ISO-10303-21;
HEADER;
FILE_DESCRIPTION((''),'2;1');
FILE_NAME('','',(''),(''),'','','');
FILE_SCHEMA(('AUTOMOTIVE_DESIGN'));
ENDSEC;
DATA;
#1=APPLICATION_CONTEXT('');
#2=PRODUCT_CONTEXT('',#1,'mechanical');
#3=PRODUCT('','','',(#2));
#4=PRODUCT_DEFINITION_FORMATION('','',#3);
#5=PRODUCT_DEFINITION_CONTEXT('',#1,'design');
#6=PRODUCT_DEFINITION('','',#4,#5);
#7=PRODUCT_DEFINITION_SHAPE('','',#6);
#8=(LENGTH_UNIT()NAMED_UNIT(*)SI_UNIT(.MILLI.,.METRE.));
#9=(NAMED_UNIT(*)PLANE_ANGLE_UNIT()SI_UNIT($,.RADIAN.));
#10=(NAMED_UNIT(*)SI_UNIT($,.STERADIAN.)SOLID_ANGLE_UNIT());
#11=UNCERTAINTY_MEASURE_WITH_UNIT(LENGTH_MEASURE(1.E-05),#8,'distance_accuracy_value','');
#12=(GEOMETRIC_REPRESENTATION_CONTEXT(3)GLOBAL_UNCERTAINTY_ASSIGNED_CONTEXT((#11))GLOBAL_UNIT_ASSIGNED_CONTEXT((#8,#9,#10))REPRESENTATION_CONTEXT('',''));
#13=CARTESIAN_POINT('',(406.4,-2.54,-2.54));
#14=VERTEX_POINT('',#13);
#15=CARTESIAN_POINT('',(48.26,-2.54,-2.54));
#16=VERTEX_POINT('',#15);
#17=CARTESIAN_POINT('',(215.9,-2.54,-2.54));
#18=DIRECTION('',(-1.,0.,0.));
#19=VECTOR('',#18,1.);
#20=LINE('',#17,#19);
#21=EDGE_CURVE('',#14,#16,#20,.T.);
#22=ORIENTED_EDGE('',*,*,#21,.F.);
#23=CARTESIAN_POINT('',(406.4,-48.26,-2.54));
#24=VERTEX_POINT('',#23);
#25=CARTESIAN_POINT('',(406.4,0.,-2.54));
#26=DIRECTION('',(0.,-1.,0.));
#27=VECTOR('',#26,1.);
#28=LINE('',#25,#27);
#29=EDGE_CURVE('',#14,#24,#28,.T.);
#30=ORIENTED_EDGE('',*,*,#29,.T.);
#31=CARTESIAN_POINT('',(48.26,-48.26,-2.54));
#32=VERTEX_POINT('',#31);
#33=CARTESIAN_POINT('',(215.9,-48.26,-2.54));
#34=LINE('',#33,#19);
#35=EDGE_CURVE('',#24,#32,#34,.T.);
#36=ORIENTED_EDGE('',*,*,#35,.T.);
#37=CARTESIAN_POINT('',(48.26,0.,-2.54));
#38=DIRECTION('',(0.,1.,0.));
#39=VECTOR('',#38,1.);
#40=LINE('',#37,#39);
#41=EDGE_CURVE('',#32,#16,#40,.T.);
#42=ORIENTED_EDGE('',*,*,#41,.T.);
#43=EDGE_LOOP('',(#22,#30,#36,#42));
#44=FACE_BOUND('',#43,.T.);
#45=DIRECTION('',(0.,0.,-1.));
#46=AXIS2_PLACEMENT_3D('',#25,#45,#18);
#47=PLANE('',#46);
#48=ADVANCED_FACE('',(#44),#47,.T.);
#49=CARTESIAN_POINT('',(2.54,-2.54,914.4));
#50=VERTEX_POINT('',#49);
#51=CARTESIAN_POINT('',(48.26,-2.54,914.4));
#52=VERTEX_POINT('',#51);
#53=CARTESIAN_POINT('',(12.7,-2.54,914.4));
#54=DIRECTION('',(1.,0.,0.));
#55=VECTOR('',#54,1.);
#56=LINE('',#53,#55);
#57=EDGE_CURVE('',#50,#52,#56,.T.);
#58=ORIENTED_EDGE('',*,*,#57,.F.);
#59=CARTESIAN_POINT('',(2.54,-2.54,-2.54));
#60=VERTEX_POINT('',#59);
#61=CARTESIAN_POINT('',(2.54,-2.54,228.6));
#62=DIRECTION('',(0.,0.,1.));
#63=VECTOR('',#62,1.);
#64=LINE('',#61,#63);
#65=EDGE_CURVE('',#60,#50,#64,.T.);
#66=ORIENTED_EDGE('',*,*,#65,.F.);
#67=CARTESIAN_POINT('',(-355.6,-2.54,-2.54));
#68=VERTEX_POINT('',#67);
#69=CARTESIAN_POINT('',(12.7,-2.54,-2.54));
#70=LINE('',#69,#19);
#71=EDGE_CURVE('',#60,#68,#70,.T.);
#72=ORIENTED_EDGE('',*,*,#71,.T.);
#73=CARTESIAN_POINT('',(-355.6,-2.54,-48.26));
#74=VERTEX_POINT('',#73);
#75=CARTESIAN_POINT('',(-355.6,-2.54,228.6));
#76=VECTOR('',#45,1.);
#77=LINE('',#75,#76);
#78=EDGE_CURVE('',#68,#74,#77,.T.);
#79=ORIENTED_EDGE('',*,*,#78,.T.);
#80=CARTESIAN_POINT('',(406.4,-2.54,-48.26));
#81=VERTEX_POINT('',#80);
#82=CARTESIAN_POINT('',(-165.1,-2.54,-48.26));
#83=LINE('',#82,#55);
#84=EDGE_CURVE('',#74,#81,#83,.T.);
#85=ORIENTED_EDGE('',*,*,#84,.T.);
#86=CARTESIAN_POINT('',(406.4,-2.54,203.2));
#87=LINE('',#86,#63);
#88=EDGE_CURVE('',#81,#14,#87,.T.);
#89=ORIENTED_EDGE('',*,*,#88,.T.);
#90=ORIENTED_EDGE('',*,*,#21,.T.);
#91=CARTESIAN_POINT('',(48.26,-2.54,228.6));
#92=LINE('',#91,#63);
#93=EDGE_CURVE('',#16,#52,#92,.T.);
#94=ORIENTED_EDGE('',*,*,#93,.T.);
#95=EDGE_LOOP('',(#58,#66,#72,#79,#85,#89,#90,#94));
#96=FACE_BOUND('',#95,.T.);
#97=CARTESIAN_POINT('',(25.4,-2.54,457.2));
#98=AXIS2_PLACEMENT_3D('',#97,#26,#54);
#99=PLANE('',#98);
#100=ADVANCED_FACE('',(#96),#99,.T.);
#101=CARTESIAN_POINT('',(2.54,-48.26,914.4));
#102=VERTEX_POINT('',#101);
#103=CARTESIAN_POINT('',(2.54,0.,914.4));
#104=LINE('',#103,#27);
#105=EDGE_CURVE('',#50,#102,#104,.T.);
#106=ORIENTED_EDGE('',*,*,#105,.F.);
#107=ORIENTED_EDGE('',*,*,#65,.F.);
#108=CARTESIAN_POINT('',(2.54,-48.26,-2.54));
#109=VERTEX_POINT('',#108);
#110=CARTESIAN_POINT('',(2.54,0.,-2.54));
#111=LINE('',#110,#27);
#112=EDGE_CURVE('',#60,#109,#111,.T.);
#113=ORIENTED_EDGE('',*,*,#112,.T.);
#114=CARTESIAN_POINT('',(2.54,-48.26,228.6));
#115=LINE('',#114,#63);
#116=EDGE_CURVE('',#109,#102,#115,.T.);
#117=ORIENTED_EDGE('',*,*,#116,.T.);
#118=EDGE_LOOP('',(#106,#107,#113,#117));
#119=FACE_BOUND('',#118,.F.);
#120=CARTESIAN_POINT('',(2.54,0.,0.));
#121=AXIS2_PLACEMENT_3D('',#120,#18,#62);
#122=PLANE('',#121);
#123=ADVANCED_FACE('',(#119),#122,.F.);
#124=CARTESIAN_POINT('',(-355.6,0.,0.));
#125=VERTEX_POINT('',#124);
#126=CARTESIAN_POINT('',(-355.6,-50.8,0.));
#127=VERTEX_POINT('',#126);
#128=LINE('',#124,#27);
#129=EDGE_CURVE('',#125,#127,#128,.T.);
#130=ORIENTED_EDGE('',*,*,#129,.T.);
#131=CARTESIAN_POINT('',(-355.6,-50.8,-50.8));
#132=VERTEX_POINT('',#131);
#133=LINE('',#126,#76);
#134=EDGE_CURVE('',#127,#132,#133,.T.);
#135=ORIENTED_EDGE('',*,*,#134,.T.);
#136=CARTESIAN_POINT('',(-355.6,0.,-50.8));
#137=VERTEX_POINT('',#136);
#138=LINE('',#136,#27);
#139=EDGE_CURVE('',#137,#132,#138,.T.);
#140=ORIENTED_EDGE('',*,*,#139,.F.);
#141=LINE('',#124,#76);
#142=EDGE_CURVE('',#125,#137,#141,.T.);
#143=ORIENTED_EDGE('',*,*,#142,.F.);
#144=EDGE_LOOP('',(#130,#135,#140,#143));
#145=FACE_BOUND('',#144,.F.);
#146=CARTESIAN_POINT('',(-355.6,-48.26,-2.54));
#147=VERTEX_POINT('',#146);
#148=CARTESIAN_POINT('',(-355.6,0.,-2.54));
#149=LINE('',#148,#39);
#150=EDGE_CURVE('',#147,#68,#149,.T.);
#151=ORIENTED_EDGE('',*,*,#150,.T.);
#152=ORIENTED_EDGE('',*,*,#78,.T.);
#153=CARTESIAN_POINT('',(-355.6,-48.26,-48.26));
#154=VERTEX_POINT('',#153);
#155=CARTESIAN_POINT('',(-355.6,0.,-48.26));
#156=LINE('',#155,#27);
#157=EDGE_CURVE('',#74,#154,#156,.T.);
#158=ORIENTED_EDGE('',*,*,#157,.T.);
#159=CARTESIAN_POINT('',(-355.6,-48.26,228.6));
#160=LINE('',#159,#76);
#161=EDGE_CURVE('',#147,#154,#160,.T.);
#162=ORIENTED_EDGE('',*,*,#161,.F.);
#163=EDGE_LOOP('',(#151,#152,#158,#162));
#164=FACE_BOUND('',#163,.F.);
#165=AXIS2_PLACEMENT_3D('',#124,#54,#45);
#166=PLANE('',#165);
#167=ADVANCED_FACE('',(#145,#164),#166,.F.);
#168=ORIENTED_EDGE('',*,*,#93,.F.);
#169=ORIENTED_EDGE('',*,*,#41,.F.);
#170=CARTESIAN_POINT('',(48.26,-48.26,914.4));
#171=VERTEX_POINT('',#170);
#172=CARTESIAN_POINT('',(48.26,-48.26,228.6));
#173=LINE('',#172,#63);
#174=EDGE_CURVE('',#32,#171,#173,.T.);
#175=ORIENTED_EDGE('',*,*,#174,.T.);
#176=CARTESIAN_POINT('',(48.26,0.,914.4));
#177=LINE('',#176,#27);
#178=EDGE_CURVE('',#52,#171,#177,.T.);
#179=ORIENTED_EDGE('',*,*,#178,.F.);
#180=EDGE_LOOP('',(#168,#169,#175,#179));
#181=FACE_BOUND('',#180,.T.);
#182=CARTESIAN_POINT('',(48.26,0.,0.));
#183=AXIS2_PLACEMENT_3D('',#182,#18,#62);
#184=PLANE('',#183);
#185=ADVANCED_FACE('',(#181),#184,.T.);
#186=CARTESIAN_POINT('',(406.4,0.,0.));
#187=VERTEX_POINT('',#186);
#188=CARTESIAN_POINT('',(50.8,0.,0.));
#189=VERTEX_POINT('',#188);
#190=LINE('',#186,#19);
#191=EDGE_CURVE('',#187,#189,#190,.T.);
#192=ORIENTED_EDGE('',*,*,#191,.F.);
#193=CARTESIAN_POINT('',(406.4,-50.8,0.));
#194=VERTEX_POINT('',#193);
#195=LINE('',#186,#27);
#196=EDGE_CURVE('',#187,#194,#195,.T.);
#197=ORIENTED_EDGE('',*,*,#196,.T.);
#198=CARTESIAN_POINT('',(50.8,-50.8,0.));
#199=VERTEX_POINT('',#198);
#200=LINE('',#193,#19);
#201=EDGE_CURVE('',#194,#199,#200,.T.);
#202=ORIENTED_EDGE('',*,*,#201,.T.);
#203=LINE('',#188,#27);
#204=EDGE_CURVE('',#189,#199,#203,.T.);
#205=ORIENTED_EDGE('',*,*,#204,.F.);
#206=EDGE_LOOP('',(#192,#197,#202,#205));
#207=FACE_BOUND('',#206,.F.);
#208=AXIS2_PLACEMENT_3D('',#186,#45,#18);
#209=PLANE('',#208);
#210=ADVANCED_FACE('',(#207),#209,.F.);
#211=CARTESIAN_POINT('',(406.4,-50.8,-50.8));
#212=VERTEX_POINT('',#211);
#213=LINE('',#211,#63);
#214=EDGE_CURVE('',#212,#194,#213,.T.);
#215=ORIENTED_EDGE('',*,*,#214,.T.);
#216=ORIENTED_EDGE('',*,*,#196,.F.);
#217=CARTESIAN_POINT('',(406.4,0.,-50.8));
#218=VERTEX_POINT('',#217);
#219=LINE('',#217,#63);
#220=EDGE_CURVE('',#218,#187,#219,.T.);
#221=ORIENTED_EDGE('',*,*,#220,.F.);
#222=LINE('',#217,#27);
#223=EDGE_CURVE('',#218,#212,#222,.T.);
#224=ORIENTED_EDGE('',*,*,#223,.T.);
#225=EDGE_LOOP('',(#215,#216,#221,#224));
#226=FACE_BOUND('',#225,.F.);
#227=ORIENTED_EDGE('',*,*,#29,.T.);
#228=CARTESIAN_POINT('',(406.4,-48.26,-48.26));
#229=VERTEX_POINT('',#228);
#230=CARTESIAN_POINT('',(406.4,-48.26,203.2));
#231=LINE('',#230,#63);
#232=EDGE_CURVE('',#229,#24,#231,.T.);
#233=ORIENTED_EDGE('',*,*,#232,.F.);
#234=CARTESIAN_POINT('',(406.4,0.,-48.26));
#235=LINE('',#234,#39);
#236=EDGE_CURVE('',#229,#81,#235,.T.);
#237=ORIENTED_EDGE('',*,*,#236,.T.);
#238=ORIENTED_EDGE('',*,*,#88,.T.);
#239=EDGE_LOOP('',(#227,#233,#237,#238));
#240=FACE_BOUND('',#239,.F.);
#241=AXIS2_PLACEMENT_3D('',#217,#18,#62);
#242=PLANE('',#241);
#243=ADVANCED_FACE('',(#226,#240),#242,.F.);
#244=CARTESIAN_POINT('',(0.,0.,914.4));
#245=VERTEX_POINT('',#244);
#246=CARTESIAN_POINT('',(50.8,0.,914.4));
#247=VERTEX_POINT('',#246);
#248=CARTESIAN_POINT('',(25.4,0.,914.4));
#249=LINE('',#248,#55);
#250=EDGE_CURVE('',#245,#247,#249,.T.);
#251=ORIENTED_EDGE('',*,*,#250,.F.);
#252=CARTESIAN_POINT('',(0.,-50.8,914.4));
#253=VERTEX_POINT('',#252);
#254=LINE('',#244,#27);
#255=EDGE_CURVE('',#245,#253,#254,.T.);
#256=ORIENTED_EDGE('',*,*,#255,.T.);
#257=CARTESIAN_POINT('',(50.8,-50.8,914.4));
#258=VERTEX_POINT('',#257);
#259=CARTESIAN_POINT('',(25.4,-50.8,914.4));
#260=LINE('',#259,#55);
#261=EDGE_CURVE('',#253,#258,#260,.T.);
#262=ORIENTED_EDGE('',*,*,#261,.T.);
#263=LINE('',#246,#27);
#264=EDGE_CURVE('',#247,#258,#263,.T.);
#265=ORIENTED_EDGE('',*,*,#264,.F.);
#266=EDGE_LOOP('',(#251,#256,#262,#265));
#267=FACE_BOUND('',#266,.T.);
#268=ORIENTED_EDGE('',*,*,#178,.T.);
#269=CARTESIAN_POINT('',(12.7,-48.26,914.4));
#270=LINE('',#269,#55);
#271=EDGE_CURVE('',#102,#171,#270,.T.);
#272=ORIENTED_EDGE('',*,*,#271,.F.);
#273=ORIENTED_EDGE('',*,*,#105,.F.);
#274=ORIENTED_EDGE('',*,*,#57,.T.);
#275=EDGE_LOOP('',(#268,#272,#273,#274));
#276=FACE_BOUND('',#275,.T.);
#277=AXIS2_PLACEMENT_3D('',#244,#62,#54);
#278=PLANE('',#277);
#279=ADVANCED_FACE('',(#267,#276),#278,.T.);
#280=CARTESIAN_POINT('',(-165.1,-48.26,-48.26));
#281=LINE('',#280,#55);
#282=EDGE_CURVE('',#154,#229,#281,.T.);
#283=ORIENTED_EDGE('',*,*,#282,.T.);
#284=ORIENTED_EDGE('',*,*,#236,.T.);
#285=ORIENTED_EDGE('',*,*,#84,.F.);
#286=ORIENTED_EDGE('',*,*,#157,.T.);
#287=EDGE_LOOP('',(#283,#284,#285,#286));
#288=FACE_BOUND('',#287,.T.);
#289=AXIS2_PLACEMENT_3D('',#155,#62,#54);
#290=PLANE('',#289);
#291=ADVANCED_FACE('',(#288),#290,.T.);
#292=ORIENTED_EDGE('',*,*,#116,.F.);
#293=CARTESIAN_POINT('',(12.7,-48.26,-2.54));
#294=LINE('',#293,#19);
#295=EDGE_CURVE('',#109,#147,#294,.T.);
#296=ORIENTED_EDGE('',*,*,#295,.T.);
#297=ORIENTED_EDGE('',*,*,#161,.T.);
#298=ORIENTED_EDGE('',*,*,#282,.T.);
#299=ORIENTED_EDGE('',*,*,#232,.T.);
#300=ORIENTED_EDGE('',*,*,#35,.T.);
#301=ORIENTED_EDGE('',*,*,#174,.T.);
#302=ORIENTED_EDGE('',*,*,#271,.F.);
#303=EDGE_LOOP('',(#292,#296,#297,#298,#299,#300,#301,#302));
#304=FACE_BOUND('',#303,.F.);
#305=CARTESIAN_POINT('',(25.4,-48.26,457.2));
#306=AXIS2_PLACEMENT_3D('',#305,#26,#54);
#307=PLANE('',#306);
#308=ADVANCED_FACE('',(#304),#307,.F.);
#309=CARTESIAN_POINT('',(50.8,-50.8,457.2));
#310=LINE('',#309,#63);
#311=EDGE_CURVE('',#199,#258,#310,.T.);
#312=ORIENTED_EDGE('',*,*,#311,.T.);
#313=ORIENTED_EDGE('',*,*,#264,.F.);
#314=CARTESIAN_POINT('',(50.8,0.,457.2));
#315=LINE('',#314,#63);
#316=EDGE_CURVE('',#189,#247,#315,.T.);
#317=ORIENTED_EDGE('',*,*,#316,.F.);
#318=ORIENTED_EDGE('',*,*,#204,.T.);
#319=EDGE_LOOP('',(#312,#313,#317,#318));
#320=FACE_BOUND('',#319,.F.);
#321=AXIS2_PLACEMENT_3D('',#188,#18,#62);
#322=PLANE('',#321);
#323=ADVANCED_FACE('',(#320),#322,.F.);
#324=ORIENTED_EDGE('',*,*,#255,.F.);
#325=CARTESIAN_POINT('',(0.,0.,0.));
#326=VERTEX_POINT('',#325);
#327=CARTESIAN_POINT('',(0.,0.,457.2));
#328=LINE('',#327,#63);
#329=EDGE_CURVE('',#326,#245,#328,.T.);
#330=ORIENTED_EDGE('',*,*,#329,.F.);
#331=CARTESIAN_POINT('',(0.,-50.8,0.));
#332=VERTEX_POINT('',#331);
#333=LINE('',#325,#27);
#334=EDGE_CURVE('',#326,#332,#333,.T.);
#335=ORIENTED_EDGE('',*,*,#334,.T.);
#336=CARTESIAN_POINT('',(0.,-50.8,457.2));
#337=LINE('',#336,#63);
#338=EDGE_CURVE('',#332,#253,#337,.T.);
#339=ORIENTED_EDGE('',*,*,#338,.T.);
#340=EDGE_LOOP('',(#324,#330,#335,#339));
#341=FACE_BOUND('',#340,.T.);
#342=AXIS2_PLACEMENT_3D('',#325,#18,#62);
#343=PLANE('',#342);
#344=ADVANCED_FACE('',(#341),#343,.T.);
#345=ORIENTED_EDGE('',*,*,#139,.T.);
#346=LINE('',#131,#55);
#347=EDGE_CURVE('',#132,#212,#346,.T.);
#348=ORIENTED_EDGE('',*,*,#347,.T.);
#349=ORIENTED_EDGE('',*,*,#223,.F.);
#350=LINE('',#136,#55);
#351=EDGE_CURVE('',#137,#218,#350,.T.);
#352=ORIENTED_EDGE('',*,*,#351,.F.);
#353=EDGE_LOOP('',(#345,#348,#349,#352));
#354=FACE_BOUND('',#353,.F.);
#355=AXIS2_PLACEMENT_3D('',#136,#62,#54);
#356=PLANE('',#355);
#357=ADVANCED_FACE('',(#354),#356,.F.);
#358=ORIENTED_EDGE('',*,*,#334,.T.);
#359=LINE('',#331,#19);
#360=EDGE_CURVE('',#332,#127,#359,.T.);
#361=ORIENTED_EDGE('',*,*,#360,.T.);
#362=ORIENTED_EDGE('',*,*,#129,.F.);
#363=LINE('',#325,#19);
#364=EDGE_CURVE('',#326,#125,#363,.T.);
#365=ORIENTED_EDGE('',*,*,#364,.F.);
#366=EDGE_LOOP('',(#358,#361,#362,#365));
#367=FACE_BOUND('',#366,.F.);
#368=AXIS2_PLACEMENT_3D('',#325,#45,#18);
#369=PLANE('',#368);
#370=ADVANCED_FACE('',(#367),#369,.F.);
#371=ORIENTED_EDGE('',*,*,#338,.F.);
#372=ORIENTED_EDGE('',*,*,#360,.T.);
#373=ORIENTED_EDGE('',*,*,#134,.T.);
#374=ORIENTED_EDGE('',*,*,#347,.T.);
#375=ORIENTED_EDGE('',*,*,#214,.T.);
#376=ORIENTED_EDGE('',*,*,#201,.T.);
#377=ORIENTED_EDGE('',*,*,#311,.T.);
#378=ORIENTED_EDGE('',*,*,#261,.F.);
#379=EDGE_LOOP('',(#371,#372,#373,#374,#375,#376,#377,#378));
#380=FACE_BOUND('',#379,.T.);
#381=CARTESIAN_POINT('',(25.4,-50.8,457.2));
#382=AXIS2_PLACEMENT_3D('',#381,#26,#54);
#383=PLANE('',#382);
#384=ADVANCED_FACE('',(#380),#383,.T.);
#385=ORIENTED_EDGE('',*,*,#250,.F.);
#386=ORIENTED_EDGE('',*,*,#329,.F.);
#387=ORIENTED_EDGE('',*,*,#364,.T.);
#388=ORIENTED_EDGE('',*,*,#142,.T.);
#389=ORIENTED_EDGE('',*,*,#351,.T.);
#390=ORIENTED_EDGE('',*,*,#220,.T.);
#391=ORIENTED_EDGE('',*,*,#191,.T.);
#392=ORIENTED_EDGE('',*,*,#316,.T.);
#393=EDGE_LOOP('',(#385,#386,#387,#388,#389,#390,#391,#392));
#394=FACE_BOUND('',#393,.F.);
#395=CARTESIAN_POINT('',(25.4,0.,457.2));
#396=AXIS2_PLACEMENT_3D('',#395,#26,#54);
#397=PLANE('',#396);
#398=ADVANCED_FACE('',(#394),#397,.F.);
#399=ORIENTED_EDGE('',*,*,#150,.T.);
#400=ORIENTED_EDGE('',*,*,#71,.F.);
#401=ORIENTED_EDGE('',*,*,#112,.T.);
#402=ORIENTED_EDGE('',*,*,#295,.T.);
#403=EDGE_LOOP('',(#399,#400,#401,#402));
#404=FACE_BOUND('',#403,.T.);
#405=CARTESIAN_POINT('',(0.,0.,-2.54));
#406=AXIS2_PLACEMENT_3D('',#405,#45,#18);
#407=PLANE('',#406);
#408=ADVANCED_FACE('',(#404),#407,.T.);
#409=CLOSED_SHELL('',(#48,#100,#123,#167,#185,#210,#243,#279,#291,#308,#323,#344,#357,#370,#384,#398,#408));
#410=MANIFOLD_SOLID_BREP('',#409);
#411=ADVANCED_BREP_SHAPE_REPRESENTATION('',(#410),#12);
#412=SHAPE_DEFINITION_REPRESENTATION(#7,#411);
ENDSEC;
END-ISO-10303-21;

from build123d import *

# Parameters (mm, degrees)
F0_W     = 50.8
F0_H     = 914.4
F1_DEPTH = 50.8
F2_T     = -2.54


with BuildPart() as f1:
    # F0 (on Front) → F1 (new body)
    with BuildSketch(Plane.XZ):
        with Locations((25.4, 457.2)):
            Rectangle(F0_W, F0_H)
        Polygon((50.8, 0), (0, 0), (-355.6, 0), (-355.6, -50.8), (406.4, -50.8), (406.4, 0), align=None)
    extrude(amount=F1_DEPTH)

    # F2
    f2_openings = [f1.faces().sort_by_distance(p)[0] for p in [
        (25.4, -25.4, 914.4),
        (406.4, -25.4, -25.4),
        (-355.6, -25.4, -25.4),
    ]]
    offset(amount=F2_T, openings=f2_openings, kind=Kind.INTERSECTION)


solid = f1.part
